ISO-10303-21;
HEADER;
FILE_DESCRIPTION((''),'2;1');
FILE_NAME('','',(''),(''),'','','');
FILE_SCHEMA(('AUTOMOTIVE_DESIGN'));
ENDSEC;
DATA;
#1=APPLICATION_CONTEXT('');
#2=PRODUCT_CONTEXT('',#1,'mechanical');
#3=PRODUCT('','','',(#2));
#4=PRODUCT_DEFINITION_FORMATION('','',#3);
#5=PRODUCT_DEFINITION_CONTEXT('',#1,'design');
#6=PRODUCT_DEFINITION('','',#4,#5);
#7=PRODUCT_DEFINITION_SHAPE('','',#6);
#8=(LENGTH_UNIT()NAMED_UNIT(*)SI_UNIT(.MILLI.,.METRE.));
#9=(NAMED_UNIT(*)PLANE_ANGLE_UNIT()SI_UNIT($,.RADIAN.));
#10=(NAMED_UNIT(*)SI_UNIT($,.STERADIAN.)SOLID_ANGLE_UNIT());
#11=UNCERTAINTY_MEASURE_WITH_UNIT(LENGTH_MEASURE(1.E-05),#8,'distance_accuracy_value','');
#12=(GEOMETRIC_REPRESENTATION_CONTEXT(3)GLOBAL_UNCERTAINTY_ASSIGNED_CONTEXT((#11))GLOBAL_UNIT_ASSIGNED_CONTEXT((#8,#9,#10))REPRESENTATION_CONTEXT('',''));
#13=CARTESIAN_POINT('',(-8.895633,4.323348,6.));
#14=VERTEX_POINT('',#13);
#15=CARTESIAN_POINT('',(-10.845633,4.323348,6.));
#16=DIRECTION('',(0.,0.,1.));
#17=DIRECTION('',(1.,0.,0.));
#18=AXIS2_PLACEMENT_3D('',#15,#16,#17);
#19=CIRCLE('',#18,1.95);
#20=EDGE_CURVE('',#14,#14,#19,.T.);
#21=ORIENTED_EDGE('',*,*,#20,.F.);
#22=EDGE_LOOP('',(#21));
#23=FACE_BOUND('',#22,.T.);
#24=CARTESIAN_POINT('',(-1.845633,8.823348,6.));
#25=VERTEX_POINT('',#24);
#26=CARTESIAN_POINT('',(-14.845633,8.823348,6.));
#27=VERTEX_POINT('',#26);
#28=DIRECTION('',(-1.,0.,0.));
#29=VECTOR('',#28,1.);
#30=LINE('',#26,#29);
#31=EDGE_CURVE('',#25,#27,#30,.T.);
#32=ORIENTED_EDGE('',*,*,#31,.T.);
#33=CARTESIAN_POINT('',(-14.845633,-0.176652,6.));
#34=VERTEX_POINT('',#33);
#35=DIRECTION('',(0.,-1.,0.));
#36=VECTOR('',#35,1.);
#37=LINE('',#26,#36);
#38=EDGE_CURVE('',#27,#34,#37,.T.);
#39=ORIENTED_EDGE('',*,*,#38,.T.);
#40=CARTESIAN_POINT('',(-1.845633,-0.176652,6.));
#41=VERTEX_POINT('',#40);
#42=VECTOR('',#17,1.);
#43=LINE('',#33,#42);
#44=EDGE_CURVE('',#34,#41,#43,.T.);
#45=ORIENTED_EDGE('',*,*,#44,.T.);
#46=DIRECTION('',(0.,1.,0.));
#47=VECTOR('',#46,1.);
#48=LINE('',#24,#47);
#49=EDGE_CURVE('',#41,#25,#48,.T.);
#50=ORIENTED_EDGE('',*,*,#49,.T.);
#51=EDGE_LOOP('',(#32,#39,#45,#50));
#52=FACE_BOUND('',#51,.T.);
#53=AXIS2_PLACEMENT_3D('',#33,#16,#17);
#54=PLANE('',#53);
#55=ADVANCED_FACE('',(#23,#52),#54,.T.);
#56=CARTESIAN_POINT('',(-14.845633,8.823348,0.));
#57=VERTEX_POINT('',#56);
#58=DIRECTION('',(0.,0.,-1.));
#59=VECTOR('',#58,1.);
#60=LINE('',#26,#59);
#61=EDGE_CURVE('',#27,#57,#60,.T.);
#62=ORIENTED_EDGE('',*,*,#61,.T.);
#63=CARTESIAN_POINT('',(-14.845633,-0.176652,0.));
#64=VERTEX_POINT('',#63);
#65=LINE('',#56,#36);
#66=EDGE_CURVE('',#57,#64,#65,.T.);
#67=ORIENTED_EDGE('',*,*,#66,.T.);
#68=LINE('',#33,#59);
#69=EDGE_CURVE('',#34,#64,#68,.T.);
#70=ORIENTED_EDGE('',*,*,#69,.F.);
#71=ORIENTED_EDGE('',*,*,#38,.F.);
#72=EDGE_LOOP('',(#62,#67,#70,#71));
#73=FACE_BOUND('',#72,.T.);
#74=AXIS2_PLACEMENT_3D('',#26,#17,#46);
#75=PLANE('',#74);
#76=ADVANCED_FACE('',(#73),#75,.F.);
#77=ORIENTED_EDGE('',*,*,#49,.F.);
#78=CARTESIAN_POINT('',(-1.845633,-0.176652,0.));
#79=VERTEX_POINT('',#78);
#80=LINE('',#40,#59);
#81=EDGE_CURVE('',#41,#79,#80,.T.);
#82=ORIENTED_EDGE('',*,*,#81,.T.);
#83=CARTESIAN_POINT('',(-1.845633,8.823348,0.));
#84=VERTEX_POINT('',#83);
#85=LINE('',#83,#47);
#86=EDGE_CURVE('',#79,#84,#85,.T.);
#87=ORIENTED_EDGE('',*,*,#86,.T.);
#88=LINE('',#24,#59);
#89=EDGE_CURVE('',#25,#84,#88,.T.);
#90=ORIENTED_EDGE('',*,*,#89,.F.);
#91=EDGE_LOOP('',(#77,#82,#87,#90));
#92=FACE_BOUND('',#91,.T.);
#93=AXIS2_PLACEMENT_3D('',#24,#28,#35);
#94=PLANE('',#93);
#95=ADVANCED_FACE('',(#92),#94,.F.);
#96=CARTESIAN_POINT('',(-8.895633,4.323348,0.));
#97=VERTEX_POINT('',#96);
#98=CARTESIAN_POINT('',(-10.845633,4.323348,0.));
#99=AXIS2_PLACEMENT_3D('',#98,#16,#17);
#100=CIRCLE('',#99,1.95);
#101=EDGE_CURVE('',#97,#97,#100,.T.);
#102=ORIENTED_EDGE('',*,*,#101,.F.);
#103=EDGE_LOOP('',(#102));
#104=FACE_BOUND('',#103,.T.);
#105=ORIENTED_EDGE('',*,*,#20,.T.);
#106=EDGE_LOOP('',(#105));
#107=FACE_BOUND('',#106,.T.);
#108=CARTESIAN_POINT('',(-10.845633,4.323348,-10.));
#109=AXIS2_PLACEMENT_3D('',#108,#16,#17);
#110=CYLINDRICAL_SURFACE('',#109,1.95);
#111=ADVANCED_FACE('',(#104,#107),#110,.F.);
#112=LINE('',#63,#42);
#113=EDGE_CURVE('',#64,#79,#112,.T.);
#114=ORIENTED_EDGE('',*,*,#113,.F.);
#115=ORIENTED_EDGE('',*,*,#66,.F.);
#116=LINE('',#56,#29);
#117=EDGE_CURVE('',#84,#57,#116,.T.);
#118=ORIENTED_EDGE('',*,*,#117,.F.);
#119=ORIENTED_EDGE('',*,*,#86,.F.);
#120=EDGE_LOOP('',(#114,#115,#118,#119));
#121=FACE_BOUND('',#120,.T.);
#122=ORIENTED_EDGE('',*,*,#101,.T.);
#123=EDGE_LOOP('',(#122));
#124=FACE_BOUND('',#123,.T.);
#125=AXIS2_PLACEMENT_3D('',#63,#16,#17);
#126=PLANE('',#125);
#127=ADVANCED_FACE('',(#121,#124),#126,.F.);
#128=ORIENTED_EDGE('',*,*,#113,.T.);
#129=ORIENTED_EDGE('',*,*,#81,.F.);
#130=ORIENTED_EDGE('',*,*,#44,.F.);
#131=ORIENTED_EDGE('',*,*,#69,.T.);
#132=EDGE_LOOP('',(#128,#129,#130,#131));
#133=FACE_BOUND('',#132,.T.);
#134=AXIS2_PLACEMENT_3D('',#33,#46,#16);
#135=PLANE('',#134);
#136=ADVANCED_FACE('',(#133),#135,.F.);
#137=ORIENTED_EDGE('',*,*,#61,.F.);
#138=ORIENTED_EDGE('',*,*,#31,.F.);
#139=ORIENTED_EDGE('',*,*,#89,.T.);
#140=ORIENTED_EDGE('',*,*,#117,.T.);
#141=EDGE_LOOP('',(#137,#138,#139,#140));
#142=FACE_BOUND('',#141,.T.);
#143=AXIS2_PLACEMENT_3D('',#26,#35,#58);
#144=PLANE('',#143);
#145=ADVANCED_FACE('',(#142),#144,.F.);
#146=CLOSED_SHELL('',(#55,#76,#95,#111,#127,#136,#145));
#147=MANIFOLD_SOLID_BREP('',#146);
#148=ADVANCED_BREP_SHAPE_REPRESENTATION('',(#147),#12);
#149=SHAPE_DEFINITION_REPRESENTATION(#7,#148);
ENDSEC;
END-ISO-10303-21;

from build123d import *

# Parameters (mm, degrees)
SKETCH1_W      = 13
SKETCH1_H      = 9
EXTRUDE1_DEPTH = 6
SKETCH2_R      = 1.95
EXTRUDE2_DEPTH = 16


with BuildPart() as part:
    # Sketch1 → Extrude1 (new body)
    with BuildSketch(Plane.XY):
        with Locations((-8.345632515, 4.323347627)):
            Rectangle(SKETCH1_W, SKETCH1_H)
    extrude(amount=EXTRUDE1_DEPTH)

    # Sketch2 → Extrude2 (cut)
    with BuildSketch(Plane.XY.offset(6)):
        with Locations((-10.845632515, 4.323347627)):
            Circle(SKETCH2_R)
    extrude(amount=-EXTRUDE2_DEPTH, mode=Mode.SUBTRACT)


solid = part.part
